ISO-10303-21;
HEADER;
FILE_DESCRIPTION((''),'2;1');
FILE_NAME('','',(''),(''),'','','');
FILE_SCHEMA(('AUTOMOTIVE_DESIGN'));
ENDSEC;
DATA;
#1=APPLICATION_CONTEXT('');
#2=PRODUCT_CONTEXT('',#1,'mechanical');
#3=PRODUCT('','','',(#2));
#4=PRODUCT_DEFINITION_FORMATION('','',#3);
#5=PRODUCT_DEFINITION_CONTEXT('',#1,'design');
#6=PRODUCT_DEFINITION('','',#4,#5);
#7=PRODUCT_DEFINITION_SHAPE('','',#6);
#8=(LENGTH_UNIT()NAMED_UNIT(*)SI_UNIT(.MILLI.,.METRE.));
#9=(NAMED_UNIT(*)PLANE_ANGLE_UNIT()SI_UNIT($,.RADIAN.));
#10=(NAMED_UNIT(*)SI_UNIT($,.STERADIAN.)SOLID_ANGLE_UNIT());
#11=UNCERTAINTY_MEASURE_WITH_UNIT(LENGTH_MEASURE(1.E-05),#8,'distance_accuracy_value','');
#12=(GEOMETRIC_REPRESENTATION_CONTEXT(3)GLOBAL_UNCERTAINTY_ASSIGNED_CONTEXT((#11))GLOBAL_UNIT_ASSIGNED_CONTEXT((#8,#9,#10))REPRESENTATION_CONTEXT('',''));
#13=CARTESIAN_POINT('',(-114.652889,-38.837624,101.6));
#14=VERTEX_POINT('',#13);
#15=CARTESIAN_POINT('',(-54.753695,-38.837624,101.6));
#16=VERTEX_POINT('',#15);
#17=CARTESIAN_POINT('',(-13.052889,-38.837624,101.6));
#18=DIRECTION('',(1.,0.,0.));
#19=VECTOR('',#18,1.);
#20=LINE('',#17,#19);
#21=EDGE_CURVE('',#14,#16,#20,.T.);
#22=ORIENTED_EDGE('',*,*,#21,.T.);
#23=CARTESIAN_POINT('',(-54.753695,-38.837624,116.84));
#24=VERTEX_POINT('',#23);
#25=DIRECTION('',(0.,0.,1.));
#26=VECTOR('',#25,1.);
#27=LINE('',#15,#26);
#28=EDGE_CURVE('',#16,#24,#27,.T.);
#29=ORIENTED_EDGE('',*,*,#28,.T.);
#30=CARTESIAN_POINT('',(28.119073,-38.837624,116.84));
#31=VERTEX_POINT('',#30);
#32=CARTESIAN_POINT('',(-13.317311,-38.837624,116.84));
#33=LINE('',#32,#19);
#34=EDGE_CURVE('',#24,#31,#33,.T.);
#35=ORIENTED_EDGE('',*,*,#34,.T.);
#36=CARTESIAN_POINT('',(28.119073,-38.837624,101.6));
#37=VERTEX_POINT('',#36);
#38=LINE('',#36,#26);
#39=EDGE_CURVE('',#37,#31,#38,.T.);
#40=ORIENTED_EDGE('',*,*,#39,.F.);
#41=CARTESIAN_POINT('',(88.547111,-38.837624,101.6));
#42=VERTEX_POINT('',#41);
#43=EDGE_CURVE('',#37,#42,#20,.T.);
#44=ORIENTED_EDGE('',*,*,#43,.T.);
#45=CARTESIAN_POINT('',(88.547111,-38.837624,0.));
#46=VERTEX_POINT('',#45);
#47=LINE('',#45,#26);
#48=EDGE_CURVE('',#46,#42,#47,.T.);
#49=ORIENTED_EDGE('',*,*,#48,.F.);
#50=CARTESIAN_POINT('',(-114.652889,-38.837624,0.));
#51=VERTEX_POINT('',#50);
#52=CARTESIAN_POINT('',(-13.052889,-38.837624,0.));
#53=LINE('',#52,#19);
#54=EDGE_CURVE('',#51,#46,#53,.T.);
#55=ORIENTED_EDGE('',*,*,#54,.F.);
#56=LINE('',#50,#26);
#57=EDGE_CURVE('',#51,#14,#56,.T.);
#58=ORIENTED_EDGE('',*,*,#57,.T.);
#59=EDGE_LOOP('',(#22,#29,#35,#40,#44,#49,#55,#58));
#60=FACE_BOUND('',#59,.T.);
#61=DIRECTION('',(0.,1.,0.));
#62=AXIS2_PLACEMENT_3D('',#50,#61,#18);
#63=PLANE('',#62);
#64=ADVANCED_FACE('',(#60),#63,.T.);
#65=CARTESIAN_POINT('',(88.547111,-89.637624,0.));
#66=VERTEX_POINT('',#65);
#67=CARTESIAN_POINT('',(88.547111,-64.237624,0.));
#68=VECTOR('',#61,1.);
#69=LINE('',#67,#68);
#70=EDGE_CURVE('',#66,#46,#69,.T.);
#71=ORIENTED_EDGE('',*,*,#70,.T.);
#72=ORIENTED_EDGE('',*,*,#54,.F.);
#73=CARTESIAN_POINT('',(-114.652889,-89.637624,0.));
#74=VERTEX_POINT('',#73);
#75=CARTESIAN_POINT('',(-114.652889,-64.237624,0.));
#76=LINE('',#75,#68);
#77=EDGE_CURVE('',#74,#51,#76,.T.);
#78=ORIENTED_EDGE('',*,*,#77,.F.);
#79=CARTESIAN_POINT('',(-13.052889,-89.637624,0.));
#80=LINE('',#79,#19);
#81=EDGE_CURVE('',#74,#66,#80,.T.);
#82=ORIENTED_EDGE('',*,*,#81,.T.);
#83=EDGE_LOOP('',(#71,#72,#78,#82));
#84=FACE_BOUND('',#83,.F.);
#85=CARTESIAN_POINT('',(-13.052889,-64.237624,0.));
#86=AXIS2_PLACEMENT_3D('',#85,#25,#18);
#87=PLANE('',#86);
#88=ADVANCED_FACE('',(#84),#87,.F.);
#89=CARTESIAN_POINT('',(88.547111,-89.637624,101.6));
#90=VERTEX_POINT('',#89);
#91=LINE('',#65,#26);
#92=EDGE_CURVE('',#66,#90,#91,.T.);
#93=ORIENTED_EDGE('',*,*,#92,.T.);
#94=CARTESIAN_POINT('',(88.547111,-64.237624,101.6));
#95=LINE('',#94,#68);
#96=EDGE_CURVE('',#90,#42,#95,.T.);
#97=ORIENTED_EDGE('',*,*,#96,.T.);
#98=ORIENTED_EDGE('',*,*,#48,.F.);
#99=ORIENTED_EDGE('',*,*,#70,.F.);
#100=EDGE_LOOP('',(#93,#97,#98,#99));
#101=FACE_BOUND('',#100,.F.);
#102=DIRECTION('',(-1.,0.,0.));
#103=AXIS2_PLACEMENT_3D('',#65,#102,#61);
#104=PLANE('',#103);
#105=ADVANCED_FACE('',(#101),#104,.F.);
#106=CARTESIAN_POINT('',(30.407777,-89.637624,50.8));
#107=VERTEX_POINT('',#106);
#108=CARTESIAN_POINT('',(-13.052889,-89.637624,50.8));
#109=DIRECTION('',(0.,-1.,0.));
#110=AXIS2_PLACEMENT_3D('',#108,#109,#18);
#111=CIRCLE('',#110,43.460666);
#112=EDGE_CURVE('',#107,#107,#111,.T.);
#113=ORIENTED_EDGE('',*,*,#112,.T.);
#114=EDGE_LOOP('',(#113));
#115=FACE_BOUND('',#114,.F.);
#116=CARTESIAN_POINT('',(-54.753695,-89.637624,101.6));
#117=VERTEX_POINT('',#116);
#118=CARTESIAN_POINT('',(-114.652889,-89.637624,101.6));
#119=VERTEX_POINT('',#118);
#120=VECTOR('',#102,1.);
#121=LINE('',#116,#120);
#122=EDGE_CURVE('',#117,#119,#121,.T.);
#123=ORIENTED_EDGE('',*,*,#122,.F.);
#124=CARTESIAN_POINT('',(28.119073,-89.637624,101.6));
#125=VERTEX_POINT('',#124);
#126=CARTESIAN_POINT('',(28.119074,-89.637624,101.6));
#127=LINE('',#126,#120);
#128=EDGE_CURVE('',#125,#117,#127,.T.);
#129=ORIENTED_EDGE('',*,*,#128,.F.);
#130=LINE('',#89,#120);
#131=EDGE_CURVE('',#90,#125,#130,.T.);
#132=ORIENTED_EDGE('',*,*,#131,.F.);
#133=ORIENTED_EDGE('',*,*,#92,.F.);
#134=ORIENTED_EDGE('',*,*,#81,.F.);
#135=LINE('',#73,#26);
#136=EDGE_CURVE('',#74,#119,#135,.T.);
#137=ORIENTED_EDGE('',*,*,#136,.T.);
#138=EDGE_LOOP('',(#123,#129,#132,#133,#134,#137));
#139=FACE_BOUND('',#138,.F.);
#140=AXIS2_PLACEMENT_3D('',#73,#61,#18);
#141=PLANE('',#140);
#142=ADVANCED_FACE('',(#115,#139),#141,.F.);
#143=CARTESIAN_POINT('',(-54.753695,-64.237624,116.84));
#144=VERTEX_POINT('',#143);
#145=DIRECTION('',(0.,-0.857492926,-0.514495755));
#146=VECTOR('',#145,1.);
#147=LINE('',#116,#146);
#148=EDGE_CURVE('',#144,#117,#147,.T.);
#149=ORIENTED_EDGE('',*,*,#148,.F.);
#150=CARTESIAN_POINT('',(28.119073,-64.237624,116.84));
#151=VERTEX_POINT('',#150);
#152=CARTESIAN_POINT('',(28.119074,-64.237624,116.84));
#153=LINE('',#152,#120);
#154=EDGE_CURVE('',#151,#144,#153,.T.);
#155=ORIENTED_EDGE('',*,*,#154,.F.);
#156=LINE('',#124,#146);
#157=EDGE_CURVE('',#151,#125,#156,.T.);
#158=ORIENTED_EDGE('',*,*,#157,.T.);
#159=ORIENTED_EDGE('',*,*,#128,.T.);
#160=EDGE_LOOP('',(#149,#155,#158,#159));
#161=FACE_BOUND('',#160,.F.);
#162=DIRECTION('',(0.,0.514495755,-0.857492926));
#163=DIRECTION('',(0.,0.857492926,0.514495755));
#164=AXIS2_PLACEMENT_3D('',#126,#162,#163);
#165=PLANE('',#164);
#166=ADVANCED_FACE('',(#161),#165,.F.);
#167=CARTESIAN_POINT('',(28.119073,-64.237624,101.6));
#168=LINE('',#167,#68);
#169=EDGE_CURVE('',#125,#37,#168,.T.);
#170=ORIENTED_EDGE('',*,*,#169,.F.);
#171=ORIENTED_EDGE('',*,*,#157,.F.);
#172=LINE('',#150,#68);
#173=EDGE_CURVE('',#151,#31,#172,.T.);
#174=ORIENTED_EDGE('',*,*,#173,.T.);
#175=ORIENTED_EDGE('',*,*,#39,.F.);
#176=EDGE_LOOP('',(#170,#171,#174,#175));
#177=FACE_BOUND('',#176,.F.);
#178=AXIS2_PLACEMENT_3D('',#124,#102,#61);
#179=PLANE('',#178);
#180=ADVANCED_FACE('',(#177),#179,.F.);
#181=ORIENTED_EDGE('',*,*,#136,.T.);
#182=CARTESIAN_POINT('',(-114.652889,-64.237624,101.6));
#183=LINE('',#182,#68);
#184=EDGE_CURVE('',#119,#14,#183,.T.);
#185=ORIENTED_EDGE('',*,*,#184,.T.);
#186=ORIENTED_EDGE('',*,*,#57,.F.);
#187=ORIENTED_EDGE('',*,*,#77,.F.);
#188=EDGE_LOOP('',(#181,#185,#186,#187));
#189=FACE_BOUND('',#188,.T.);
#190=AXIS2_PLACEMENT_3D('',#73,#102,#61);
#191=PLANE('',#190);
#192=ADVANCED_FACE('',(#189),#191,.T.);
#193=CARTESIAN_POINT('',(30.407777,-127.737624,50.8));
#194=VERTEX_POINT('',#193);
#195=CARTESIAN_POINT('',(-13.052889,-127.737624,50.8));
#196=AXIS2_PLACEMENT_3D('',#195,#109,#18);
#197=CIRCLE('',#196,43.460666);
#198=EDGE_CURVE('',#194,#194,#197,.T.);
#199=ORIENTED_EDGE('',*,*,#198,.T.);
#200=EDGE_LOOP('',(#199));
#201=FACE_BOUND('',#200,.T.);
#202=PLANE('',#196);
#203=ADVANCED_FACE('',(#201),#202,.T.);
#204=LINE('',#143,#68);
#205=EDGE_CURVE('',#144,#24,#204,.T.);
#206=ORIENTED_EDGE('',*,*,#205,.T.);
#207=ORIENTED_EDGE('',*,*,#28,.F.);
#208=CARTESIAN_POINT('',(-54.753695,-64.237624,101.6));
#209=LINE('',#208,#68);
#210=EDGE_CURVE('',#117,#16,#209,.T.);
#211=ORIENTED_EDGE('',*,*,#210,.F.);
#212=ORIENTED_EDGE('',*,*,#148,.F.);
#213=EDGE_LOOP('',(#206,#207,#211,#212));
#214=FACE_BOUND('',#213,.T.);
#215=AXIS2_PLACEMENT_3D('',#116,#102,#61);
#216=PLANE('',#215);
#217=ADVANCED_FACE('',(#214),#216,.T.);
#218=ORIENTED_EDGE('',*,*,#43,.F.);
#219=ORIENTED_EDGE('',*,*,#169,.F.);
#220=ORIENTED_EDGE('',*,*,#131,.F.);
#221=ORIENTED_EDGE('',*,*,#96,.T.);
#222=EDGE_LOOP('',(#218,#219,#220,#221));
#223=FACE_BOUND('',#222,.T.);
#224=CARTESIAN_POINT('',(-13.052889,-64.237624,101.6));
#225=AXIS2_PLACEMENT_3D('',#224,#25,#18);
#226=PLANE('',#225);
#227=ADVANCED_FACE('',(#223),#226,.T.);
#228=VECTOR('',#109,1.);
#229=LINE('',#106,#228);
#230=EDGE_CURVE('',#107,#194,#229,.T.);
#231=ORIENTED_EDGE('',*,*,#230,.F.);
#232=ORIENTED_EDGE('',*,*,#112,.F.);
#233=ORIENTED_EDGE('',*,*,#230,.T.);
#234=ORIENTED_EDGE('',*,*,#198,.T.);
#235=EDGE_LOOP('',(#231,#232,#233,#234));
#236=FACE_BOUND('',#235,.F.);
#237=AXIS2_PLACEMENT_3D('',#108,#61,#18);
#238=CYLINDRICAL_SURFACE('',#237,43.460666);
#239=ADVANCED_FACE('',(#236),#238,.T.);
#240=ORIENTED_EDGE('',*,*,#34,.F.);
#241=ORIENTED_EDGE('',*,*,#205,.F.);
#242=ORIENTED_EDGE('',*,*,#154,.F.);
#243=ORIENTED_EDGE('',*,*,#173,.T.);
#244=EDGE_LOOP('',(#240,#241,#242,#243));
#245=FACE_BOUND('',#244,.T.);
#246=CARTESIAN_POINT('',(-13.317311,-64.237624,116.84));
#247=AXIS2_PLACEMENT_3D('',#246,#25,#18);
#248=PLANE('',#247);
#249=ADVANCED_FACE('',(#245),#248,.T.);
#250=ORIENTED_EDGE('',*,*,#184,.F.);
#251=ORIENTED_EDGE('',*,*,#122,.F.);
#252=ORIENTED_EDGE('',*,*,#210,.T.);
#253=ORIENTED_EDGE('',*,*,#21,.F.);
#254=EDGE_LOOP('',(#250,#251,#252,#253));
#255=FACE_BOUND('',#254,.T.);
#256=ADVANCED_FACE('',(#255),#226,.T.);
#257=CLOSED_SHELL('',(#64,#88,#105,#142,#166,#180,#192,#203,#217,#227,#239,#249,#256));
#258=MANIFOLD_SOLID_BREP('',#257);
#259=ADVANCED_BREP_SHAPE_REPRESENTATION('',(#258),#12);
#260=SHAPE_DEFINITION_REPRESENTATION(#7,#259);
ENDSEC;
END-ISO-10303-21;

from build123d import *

# Parameters (mm, degrees)
F0_W     = 203.2
F0_H     = 50.8
F1_DEPTH = 101.6
F2_R     = 43.460666
F3_DEPTH = 38.1
F4_W     = 82.872769
F4_H     = 50.8
F5_DEPTH = 15.24
F7_DEPTH = 101.6


with BuildPart() as f1:
    # F0 (on Top) → F1 (new body)
    with BuildSketch(Plane.XY):
        with Locations((-13.052889, -64.237624)):
            Rectangle(F0_W, F0_H)
    extrude(amount=F1_DEPTH)

    # F2 (on face) → F3 (join)
    with BuildSketch(Plane.XZ.offset(89.637624)):
        with Locations((-13.052889, 50.8)):
            Circle(F2_R)
    extrude(amount=F3_DEPTH)

    # F4 (on face) → F5 (join)
    with BuildSketch(Plane.XY.offset(101.6)):
        with Locations((-13.317311, -64.237624)):
            Rectangle(F4_W, F4_H)
    extrude(amount=F5_DEPTH)

    # F6 (on face) → F7 (cut)
    with BuildSketch(Plane.YZ.offset(28.119074)):
        Polygon((-89.637624, 116.84), (-89.637624, 101.6), (-64.237624, 116.84), align=None)
    extrude(amount=-F7_DEPTH, mode=Mode.SUBTRACT)


solid = f1.part
